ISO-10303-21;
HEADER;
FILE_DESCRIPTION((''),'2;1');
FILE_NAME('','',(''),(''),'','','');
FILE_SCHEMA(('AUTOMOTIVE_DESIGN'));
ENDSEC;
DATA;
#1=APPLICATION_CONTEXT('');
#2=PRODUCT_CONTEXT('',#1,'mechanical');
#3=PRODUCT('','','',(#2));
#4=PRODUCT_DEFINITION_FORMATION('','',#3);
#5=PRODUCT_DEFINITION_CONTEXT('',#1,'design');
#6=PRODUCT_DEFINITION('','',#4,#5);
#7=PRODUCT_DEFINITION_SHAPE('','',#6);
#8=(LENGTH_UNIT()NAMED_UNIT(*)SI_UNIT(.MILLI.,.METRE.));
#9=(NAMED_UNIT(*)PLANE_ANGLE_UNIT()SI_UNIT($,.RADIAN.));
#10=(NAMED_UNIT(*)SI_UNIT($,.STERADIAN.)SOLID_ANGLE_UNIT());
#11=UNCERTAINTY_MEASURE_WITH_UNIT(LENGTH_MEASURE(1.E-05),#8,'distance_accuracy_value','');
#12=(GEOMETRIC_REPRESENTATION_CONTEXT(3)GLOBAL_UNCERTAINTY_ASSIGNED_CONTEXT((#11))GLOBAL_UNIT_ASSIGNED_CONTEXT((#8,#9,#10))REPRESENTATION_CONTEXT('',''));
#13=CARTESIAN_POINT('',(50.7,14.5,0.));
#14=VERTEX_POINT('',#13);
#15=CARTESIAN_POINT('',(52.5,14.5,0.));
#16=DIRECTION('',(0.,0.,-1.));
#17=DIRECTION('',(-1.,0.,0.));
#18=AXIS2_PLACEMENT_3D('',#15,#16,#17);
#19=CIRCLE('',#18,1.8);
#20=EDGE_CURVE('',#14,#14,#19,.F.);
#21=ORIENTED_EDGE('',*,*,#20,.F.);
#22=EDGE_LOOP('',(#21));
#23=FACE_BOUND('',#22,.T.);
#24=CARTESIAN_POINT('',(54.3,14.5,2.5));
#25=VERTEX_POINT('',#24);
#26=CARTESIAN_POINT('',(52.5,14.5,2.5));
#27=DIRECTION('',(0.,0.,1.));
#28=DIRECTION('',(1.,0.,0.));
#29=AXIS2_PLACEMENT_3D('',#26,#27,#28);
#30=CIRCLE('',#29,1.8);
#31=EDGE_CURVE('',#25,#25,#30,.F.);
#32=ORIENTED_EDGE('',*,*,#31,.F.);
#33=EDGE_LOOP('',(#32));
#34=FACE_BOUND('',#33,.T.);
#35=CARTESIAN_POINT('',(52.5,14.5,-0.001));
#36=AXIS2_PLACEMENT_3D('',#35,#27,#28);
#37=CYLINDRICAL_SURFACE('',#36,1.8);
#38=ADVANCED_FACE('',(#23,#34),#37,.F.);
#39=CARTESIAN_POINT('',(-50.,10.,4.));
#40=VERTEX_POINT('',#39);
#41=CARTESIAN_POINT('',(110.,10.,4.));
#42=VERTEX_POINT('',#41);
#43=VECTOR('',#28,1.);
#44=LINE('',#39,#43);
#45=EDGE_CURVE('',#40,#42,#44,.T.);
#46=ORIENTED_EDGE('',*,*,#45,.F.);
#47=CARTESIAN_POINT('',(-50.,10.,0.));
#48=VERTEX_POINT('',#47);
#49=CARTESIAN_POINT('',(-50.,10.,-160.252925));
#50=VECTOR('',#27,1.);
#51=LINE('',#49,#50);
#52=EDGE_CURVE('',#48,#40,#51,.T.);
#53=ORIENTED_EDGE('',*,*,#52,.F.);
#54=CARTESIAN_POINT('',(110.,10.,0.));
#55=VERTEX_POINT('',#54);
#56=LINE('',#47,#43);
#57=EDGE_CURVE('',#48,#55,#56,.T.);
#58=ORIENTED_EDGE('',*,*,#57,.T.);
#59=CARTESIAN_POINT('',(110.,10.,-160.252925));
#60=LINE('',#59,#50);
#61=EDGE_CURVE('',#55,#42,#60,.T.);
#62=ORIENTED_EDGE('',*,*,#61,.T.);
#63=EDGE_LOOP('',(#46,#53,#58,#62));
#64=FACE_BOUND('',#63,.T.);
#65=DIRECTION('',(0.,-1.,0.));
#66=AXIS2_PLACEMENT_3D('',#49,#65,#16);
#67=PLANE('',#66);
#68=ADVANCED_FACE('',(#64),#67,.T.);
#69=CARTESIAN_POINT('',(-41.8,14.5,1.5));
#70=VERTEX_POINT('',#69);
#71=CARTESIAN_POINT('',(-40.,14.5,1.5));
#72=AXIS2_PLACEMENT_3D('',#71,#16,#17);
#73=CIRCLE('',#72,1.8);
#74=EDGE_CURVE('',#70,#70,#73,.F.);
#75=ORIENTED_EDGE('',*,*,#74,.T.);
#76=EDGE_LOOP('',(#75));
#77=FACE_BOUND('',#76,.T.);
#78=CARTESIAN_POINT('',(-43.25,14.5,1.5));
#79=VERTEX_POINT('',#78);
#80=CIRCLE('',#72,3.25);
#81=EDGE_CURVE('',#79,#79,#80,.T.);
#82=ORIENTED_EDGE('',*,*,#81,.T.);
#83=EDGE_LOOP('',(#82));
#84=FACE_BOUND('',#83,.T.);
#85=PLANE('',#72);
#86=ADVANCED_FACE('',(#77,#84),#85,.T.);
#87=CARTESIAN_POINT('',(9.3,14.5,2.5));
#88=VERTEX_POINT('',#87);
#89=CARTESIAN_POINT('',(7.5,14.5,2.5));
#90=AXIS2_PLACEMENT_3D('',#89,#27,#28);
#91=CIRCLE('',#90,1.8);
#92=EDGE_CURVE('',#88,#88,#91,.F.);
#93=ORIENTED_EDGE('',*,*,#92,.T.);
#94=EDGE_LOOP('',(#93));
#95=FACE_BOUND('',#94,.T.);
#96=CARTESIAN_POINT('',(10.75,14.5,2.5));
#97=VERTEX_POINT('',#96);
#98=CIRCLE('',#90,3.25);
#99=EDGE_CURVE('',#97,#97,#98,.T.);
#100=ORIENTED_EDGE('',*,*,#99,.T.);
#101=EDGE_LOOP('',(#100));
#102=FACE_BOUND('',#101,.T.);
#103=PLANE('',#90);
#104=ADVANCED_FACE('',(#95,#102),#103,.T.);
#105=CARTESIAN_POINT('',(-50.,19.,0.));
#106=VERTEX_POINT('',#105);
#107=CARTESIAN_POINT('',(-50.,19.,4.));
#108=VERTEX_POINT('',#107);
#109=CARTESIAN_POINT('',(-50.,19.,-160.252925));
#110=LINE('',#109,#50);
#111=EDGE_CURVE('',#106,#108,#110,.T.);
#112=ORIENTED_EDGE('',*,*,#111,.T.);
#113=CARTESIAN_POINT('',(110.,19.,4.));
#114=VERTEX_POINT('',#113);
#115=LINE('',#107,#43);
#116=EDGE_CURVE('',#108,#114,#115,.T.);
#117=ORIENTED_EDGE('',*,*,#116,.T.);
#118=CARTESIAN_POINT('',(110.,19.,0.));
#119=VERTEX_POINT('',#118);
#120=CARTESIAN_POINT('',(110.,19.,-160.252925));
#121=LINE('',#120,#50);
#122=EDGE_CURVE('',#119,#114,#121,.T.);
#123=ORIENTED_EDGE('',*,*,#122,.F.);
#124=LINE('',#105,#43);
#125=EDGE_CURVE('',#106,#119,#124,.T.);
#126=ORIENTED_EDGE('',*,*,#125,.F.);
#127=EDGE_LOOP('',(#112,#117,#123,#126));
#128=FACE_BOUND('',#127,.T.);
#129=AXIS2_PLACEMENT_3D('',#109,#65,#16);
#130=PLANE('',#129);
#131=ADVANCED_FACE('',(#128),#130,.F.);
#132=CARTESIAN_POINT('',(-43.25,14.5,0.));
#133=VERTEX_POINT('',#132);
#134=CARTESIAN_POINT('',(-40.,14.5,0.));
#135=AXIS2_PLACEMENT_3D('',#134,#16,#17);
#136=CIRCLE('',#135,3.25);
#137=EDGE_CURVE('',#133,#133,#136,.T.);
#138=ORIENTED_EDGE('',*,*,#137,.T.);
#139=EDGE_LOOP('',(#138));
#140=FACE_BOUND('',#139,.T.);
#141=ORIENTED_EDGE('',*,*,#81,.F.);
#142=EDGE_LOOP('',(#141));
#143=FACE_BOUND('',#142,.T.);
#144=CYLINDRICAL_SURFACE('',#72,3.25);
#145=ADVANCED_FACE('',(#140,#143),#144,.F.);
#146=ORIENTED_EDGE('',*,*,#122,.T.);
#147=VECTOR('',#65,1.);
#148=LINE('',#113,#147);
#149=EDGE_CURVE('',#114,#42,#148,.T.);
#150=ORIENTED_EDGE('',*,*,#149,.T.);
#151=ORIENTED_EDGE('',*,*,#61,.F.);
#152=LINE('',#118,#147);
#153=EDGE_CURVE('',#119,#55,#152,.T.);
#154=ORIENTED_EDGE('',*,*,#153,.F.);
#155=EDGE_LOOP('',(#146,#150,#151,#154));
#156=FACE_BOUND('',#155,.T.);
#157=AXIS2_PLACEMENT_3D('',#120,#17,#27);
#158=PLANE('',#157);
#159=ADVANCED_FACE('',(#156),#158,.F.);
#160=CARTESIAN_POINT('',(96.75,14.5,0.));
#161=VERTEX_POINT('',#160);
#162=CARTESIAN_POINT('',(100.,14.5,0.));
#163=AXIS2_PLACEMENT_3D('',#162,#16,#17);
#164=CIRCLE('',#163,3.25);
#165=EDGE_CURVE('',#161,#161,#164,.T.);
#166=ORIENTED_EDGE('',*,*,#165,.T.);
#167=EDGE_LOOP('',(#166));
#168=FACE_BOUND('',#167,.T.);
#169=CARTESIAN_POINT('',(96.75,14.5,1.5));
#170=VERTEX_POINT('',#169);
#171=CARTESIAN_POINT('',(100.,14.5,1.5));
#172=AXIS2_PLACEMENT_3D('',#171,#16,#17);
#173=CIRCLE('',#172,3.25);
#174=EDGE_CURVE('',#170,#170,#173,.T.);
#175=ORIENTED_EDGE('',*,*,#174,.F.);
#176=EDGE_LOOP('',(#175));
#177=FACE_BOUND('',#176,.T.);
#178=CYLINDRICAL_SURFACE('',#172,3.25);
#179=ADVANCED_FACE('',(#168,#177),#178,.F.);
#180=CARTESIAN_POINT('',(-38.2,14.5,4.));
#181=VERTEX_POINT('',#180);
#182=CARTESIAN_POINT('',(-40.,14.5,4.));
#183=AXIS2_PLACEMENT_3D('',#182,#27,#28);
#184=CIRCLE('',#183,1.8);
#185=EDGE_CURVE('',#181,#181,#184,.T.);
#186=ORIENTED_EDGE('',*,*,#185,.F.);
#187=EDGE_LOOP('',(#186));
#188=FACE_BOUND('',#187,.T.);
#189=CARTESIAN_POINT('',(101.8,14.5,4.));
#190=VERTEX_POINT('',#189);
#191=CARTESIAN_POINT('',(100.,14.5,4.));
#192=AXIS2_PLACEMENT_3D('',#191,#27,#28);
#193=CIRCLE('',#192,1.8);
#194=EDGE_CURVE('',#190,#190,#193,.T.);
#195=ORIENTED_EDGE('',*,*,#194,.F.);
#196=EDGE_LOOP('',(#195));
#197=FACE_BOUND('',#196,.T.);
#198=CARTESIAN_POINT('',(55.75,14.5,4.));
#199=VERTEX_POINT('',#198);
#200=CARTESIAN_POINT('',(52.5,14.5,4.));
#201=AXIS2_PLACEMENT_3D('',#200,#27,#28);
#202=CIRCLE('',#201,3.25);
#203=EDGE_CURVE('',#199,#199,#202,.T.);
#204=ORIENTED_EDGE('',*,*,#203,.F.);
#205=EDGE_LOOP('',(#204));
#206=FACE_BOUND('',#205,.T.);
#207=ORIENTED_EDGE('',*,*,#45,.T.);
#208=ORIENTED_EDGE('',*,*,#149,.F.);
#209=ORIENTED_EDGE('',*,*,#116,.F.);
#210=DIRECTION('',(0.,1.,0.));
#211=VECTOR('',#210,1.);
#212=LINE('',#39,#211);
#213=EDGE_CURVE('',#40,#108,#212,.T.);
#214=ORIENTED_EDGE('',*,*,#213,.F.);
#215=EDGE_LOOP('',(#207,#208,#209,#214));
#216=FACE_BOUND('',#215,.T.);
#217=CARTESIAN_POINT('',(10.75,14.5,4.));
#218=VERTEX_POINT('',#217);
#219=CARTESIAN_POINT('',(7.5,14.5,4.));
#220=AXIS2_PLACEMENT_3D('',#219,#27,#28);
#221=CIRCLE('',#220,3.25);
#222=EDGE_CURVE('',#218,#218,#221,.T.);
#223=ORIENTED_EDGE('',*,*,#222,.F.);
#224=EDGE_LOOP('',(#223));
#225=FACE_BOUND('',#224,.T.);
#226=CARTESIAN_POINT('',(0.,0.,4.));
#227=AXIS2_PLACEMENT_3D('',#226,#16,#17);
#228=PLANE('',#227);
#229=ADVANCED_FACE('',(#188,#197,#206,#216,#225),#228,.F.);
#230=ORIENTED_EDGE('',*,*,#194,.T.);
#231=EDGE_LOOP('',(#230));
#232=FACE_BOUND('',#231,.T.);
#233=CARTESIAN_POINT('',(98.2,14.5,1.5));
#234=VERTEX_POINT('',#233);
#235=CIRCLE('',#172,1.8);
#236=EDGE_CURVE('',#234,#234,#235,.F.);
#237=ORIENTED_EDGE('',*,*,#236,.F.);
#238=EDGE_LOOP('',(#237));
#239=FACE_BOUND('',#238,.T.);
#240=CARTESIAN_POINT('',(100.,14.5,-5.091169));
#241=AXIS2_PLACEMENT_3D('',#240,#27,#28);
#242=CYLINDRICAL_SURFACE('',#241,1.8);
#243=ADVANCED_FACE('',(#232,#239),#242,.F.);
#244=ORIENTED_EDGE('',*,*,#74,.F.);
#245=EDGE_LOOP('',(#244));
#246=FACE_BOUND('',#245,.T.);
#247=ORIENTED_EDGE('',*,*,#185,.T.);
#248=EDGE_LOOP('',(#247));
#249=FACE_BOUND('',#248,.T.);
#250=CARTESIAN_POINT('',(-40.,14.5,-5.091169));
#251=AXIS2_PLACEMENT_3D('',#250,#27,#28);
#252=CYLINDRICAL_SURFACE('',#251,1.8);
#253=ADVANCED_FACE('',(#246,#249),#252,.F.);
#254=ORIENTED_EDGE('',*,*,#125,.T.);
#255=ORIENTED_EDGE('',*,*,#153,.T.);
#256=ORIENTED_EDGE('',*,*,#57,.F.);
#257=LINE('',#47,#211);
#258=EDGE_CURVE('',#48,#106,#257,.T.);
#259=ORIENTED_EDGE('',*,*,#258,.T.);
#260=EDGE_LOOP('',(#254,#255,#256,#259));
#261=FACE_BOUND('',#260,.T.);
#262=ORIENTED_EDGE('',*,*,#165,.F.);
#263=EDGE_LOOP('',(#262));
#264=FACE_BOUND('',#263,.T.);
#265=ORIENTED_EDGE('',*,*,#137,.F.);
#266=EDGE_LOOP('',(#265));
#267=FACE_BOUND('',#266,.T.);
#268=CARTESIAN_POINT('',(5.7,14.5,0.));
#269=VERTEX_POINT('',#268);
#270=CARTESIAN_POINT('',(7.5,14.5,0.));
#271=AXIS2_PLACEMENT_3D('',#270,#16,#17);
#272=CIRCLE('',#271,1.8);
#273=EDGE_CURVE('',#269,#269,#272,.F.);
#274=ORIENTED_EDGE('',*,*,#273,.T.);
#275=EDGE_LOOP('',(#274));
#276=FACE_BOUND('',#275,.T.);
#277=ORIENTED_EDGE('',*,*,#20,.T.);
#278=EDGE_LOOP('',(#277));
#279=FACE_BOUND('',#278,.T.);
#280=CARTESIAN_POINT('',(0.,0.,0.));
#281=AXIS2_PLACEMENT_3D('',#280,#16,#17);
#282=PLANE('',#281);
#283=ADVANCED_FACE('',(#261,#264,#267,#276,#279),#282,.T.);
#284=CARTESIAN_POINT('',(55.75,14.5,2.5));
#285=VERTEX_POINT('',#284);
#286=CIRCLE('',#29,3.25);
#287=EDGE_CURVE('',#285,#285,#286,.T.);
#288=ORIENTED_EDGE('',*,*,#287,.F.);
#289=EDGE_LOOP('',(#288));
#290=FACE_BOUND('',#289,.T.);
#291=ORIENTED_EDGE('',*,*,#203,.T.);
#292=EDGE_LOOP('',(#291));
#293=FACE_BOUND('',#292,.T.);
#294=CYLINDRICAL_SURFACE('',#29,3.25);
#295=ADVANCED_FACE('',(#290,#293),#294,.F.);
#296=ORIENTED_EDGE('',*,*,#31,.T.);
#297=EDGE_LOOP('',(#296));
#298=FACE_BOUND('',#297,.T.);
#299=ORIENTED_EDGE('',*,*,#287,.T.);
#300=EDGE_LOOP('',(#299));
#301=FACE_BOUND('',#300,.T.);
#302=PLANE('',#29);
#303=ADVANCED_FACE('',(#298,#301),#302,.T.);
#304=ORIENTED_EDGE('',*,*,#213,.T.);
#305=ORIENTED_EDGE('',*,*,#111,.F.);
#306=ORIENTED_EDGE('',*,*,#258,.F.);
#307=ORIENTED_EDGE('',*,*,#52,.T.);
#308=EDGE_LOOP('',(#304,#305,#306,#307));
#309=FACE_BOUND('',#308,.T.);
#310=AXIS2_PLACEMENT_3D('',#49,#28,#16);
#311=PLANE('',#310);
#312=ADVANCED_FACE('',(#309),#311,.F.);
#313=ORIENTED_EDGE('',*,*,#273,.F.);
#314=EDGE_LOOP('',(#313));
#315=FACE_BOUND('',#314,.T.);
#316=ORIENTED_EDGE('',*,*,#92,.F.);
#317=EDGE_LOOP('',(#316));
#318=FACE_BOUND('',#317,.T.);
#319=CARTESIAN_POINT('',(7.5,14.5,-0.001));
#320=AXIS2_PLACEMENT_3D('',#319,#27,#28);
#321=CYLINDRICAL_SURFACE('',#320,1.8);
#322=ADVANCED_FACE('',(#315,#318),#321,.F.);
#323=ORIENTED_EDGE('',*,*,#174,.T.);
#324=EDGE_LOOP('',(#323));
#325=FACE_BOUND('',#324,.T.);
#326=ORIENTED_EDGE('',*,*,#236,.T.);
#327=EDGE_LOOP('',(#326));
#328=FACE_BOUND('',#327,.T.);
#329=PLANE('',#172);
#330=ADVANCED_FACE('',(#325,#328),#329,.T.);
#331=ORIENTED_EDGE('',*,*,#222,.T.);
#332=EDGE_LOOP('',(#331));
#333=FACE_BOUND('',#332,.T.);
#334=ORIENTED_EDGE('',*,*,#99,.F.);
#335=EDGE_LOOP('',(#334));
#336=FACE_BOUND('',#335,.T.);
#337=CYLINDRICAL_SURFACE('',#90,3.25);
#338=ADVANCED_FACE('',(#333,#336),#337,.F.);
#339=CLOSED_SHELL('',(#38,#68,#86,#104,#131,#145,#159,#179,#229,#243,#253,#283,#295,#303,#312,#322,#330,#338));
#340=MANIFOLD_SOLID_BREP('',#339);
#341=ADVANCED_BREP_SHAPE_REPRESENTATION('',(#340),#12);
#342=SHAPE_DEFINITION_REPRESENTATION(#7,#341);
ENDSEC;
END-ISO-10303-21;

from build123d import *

# Parameters (mm, degrees)
SKETCH_1_W          = 60
SKETCH_1_H          = 10
SKETCH_1_R          = 1.8
EXTRUDE_1_DEPTH     = 4
SKETCH_2_R          = 3
CUT_EXTRUDE_1_DEPTH = 2
SKETCH_6_W          = 160
SKETCH_6_H          = 9
EXTRUDE_3_DEPTH     = 4
SKETCH_7_R          = 1.8
CUT_EXTRUDE_4_DEPTH = 4
SKETCH_8_R          = 3.25
CUT_EXTRUDE_5_DEPTH = 1.5
CUT_EXTRUDE_6_REACH = 113.7
SKETCH_9_R          = 1.8
CUT_EXTRUDE_7_REACH = 113.7
SKETCH_10_W         = 60
SKETCH_10_H         = 10
SKETCH_11_R         = 3.25
CUT_EXTRUDE_8_DEPTH = 1.5


with BuildPart() as part:
    # 草图1 → 凸台-拉伸1 (new body)
    with BuildSketch(Plane.XY):
        with Locations((30, 5)):
            Rectangle(SKETCH_1_W, SKETCH_1_H)
        with Locations((7.5, 5)):
            Circle(SKETCH_1_R, mode=Mode.SUBTRACT)
        with Locations((52.5, 5)):
            Circle(SKETCH_1_R, mode=Mode.SUBTRACT)
    extrude(amount=EXTRUDE_1_DEPTH)

    # 草图2 → 切除-拉伸1 (cut)
    with BuildSketch(Plane.XY.offset(4)):
        with Locations((7.5, 5)):
            Circle(SKETCH_2_R)
        with Locations((52.5, 5)):
            Circle(SKETCH_2_R)
    extrude(amount=-CUT_EXTRUDE_1_DEPTH, mode=Mode.SUBTRACT)

    # 草图6 → 凸台-拉伸3 (add)
    with BuildSketch(Plane.XY.offset(4)):
        with Locations((30, 14.5)):
            Rectangle(SKETCH_6_W, SKETCH_6_H)
    extrude(amount=-EXTRUDE_3_DEPTH)

    # 草图7 → 切除-拉伸4 (cut)
    with BuildSketch(Plane.XY.offset(4)):
        with Locations((-40, 14.5)):
            Circle(SKETCH_7_R)
        with Locations((100, 14.5)):
            Circle(SKETCH_7_R)
    extrude(amount=-CUT_EXTRUDE_4_DEPTH, mode=Mode.SUBTRACT)

    # 草图8 → 切除-拉伸5 (cut)
    with BuildSketch(Plane(origin=(0, 0, 0), x_dir=(-1, 0, 0), z_dir=(0, 0, -1))):
        with Locations((-100, 14.5)):
            Circle(SKETCH_8_R)
        with Locations((40, 14.5)):
            Circle(SKETCH_8_R)
    extrude(amount=-CUT_EXTRUDE_5_DEPTH, mode=Mode.SUBTRACT)

    # 草图9 → 切除-拉伸6 (cut, up to next)
    with BuildSketch(Plane.XY.offset(4), mode=Mode.PRIVATE) as cut_extrude_6_sk1:
        with Locations((7.5, 14.5)):
            Circle(SKETCH_9_R)
    cut_extrude_6_tool1 = extrude(cut_extrude_6_sk1.sketch, amount=-CUT_EXTRUDE_6_REACH, mode=Mode.PRIVATE) & part.part
    # 草图9 → 切除-拉伸6 (cut, up to next)
    with BuildSketch(Plane.XY.offset(4), mode=Mode.PRIVATE) as cut_extrude_6_sk2:
        with Locations((52.5, 14.5)):
            Circle(SKETCH_9_R)
    cut_extrude_6_tool2 = extrude(cut_extrude_6_sk2.sketch, amount=-CUT_EXTRUDE_6_REACH, mode=Mode.PRIVATE) & part.part
    add(cut_extrude_6_tool1.solids().sort_by_distance((7.5, 14.5, 4))[0], mode=Mode.SUBTRACT)
    add(cut_extrude_6_tool2.solids().sort_by_distance((52.5, 14.5, 4))[0], mode=Mode.SUBTRACT)

    # 草图10 → 切除-拉伸7 (cut, up to next)
    with BuildSketch(Plane.XY.offset(4), mode=Mode.PRIVATE) as cut_extrude_7_sk1:
        with Locations((30, 5)):
            Rectangle(SKETCH_10_W, SKETCH_10_H)
    cut_extrude_7_tool1 = extrude(cut_extrude_7_sk1.sketch, amount=-CUT_EXTRUDE_7_REACH, mode=Mode.PRIVATE) & part.part
    add(cut_extrude_7_tool1.solids().sort_by_distance((30, 5, 4))[0], mode=Mode.SUBTRACT)

    # 草图11 → 切除-拉伸8 (cut)
    with BuildSketch(Plane.XY.offset(4)):
        with Locations((7.5, 14.5)):
            Circle(SKETCH_11_R)
        with Locations((52.5, 14.5)):
            Circle(SKETCH_11_R)
    extrude(amount=-CUT_EXTRUDE_8_DEPTH, mode=Mode.SUBTRACT)


solid = part.part
